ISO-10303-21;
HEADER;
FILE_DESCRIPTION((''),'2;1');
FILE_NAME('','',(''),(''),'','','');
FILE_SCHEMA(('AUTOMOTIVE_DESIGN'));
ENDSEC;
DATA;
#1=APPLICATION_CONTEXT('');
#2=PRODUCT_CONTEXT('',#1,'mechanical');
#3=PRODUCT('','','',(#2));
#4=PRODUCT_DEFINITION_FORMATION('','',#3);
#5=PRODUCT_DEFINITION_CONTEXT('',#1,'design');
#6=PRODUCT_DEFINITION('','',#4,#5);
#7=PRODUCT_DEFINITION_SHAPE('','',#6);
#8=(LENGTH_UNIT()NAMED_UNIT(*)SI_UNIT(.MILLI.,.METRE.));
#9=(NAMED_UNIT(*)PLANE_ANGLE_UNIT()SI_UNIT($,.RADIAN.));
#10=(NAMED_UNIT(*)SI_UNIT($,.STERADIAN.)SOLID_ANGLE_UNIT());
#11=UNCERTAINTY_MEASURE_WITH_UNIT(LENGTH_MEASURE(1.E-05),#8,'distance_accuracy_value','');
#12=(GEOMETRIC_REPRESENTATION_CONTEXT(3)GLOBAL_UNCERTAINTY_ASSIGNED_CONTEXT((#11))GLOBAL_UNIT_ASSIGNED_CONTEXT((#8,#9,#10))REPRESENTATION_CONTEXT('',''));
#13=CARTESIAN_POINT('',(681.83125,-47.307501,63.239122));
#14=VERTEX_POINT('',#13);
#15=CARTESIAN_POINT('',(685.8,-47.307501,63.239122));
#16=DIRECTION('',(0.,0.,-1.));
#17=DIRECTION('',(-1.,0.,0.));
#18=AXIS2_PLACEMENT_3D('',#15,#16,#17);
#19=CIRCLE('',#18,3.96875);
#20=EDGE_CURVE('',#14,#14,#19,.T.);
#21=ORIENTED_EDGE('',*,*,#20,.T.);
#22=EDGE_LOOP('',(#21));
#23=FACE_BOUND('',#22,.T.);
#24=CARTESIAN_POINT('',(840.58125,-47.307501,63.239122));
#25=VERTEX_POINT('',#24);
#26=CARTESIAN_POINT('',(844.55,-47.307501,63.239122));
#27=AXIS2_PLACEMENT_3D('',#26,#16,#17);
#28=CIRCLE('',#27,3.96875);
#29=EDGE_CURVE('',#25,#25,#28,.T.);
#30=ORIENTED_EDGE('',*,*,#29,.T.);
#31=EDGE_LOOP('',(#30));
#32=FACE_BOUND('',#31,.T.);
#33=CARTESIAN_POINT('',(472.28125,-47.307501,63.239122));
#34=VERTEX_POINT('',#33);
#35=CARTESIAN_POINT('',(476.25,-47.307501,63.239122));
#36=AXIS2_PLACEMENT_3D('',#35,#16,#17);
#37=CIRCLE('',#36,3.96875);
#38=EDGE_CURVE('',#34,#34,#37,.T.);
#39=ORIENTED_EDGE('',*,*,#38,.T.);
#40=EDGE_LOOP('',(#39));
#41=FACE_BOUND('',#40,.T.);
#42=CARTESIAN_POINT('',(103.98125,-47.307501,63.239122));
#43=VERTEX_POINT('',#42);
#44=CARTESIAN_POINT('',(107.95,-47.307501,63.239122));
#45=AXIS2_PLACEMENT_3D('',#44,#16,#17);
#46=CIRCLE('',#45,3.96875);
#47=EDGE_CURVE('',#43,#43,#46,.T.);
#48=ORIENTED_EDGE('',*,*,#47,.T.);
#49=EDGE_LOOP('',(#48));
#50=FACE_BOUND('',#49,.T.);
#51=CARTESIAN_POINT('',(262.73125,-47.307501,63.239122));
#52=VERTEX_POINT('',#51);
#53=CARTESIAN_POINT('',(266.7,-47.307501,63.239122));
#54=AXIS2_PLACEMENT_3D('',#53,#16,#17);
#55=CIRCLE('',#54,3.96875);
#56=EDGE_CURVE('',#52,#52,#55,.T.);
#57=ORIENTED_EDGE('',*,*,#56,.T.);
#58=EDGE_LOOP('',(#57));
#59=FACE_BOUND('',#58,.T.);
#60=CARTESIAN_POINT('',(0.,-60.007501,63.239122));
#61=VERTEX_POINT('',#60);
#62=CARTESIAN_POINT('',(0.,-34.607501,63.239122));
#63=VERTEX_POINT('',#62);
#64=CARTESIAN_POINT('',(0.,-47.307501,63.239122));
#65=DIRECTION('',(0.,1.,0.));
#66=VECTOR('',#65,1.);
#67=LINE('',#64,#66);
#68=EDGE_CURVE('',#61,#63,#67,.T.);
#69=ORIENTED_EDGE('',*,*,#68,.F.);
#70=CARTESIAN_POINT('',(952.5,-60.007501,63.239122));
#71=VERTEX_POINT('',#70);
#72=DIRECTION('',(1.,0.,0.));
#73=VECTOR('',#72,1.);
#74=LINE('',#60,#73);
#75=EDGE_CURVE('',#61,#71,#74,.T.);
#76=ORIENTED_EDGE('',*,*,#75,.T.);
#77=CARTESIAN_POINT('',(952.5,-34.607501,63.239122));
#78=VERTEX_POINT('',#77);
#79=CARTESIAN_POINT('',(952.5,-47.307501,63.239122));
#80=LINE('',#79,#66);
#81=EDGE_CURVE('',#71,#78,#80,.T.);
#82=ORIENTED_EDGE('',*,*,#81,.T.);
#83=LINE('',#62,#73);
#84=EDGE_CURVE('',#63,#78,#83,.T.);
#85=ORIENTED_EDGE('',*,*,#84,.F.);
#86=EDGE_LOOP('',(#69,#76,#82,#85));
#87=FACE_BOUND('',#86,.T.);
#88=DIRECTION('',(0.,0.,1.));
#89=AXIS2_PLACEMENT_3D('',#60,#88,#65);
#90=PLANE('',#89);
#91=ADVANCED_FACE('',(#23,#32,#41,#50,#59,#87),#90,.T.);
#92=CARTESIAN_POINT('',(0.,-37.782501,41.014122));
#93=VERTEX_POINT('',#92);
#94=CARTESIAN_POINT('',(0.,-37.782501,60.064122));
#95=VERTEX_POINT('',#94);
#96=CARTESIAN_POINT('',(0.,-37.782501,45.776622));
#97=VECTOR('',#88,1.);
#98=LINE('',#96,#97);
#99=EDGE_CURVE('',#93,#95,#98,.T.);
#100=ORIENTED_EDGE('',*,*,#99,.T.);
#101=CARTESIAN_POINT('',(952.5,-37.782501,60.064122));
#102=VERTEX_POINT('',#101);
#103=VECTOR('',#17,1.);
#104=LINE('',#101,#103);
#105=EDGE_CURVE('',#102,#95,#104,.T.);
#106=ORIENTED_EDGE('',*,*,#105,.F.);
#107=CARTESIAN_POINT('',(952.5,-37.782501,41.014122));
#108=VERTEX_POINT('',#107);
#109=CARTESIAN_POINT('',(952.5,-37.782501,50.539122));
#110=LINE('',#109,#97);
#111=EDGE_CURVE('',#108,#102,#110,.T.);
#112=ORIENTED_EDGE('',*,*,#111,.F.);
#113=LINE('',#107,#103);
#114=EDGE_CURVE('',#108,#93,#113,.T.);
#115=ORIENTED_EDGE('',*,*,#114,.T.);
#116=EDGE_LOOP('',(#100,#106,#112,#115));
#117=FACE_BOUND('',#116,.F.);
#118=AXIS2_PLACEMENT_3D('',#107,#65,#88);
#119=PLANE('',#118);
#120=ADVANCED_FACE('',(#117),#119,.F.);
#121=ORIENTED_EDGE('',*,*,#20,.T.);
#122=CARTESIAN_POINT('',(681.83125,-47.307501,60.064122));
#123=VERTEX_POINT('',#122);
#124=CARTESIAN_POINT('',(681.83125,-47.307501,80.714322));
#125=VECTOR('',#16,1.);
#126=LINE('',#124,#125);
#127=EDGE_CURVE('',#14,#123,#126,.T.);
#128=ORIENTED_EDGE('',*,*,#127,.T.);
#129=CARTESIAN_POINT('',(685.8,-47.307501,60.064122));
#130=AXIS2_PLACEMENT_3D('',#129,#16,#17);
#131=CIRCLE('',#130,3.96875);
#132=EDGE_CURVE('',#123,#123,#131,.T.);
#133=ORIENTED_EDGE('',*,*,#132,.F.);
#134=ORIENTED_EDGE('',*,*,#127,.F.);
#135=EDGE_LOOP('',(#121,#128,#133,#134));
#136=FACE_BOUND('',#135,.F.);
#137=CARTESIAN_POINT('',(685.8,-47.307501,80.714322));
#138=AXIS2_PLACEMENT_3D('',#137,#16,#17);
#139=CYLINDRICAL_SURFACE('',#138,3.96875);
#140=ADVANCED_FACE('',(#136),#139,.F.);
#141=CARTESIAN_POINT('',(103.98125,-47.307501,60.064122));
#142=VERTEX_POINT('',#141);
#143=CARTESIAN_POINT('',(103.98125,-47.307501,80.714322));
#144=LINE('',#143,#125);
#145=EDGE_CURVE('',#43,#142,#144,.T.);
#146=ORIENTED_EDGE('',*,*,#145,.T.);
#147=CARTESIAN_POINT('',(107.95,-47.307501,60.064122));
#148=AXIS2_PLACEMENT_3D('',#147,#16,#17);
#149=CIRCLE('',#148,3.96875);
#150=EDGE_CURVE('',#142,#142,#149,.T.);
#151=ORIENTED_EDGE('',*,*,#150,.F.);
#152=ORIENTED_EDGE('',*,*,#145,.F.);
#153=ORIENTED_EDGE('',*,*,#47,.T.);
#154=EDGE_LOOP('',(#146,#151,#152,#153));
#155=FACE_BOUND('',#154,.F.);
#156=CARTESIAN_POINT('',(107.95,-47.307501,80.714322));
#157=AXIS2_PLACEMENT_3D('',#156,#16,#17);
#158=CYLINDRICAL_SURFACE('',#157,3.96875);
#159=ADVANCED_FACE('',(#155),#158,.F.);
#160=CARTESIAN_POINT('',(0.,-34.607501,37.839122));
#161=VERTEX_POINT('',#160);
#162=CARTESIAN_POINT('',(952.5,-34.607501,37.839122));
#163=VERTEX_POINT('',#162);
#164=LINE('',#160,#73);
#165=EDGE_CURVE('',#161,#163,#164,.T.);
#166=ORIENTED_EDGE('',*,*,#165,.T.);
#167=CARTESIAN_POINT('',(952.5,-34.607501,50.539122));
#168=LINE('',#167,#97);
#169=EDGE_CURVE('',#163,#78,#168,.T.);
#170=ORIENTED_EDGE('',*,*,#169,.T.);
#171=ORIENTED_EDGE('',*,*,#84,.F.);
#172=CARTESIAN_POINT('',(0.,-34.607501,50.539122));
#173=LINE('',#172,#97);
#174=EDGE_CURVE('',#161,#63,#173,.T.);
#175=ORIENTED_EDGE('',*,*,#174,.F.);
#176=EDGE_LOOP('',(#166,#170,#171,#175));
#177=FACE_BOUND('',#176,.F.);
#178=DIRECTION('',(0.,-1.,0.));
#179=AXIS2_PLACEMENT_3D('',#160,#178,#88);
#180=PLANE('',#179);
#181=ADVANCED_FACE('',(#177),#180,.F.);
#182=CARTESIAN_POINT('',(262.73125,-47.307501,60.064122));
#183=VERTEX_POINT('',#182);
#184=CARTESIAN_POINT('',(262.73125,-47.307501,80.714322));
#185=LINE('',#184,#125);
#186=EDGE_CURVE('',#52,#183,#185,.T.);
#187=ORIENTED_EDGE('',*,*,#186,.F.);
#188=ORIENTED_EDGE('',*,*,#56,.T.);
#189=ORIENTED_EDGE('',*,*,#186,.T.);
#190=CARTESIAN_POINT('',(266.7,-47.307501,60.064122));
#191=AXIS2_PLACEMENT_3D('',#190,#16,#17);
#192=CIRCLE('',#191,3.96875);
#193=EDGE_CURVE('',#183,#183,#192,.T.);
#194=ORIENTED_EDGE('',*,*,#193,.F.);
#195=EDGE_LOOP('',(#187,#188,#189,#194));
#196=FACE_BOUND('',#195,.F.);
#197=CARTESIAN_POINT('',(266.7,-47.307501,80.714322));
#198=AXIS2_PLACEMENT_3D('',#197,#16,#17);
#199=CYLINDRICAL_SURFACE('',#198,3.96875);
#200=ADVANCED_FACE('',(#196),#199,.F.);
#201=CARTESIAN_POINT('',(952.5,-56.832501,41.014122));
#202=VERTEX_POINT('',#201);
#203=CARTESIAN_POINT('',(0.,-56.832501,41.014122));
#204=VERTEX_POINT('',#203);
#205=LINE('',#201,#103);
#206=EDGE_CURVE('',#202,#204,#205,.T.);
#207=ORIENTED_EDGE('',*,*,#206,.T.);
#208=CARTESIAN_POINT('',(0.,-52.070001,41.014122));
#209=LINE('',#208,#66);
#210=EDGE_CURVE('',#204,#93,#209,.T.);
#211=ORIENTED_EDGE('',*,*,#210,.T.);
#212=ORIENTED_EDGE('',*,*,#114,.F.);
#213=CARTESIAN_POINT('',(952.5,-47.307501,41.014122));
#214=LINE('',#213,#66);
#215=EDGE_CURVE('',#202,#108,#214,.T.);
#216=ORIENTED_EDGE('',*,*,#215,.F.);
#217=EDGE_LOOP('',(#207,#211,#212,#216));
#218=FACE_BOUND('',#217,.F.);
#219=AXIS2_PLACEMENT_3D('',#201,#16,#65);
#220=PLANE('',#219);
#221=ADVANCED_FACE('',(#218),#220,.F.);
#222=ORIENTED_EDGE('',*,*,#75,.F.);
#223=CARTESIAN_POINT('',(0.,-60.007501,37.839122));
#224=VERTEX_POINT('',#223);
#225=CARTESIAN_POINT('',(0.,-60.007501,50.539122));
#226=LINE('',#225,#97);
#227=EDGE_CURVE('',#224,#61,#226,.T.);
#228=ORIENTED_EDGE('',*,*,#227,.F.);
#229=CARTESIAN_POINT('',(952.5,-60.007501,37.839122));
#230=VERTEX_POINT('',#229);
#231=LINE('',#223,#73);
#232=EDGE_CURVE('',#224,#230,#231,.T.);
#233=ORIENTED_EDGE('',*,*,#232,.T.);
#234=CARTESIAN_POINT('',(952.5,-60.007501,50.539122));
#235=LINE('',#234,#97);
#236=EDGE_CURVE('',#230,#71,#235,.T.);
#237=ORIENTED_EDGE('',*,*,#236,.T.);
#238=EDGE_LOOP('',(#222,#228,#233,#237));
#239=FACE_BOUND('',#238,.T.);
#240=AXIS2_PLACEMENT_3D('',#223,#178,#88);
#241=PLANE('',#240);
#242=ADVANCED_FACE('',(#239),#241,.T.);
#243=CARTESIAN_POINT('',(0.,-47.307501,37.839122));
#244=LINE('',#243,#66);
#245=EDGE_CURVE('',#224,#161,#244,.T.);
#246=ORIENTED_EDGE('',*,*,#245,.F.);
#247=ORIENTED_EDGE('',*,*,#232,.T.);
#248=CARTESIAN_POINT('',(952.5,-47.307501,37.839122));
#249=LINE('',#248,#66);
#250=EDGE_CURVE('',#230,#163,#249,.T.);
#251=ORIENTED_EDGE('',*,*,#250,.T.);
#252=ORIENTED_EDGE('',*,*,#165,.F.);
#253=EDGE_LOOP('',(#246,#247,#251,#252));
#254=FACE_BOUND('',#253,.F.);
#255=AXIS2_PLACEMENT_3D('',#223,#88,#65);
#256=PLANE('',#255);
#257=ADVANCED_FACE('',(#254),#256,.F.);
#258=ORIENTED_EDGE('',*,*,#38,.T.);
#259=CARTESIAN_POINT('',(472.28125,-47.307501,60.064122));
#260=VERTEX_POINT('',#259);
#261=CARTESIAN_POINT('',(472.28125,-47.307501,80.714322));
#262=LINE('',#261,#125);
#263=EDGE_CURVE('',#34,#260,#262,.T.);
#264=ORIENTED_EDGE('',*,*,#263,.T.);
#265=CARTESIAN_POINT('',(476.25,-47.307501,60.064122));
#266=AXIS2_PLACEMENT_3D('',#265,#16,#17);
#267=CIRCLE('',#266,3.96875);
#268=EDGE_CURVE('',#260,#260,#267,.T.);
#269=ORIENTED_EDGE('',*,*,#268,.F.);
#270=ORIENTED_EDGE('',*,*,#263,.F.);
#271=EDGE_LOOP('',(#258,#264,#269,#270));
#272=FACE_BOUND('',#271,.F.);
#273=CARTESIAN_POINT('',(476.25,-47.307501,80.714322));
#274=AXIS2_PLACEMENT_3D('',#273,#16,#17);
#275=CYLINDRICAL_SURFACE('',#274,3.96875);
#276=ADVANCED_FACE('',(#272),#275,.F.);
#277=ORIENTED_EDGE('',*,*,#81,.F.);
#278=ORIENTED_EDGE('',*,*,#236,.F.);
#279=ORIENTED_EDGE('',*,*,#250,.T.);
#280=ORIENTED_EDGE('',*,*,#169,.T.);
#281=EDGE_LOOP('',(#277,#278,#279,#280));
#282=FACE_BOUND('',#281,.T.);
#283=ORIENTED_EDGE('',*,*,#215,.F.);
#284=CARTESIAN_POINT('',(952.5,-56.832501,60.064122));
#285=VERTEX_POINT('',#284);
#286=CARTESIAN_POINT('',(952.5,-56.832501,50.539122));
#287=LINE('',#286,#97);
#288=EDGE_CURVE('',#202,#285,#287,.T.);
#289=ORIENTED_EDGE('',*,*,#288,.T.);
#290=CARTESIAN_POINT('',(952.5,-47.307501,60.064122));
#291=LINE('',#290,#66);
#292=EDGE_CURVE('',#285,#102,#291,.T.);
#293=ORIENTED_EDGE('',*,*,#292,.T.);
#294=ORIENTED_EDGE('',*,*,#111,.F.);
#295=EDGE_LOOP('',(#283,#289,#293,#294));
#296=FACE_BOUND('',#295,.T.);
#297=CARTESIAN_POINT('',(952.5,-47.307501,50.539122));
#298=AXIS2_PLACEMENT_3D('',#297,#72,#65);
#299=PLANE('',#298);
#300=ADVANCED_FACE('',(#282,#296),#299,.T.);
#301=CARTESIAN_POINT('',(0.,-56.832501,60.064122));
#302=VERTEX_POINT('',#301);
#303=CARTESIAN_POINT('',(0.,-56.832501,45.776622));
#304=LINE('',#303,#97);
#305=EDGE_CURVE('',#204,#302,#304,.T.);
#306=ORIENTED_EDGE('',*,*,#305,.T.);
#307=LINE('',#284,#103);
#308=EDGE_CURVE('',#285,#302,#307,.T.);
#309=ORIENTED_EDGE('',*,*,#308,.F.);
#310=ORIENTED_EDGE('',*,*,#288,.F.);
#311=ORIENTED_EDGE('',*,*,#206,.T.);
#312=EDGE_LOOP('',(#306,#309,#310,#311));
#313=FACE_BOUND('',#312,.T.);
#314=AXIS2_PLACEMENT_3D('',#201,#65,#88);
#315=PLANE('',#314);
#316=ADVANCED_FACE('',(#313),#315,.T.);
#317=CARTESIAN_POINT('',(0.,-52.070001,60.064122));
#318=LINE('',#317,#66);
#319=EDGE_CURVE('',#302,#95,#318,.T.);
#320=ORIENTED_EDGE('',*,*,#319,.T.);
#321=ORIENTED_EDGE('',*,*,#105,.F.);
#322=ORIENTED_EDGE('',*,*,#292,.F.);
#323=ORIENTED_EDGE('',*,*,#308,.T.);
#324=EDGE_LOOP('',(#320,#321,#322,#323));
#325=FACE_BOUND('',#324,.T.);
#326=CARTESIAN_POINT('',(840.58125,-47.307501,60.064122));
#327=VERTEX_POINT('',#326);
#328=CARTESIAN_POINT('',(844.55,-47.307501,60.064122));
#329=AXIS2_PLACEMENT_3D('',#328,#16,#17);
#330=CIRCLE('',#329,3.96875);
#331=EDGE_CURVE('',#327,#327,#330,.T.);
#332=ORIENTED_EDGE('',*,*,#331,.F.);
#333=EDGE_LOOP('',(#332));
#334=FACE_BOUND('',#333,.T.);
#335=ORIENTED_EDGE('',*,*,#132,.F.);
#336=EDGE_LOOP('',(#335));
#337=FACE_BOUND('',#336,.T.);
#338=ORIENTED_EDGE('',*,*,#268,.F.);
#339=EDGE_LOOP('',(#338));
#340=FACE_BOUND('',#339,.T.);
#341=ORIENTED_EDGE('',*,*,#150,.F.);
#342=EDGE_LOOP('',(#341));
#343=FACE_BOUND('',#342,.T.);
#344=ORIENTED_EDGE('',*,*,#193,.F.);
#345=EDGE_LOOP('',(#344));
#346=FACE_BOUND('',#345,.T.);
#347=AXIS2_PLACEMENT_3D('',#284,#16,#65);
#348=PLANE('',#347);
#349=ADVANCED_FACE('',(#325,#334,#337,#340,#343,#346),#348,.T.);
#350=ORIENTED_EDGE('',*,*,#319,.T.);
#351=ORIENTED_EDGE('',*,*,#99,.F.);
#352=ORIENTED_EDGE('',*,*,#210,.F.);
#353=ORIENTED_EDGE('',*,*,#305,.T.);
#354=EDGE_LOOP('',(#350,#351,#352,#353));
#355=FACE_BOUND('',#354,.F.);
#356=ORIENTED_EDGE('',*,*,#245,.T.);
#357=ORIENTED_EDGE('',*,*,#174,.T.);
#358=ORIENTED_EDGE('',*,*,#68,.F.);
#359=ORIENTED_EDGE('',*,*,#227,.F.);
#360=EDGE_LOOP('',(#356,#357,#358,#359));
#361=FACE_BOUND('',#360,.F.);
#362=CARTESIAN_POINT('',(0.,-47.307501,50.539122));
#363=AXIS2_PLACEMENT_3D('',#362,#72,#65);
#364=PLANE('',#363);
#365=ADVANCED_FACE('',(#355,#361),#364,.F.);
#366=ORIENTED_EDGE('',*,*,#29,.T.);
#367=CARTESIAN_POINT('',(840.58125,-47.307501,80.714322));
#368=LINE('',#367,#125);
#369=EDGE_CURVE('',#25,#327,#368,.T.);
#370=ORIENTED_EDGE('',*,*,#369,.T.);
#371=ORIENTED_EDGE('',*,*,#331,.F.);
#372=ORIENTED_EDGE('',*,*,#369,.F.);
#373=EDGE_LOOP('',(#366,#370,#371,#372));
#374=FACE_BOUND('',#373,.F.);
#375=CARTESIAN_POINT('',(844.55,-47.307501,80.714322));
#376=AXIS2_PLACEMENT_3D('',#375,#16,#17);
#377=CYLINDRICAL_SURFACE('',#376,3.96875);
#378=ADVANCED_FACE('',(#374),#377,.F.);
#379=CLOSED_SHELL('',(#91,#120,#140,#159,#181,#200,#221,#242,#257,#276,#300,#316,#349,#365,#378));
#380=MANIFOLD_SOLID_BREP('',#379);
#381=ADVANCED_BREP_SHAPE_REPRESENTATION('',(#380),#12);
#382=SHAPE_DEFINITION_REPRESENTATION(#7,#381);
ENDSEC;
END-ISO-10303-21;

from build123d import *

# Parameters (mm, degrees)
F0_W     = 25.4
F0_H     = 25.4
F1_DEPTH = 952.5
F2_W     = 19.05
F2_H     = 19.05
F3_DEPTH = 952.501
F5_D     = 7.9375
F5_DEPTH = 17.4752
F5_TIP   = 2.3846655818


with BuildPart() as f1:
    # F0 (on Right) → F1 (new body)
    with BuildSketch(Plane.YZ):
        with Locations((-47.3075013936, 50.5391221166)):
            Rectangle(F0_W, F0_H)
    extrude(amount=F1_DEPTH)

    # F2 (on face) → F3 (cut, through all)
    with BuildSketch(Plane.YZ.offset(952.5)):
        with Locations((-47.3075013936, 50.5391221166)):
            Rectangle(F2_W, F2_H)
    extrude(amount=-F3_DEPTH, mode=Mode.SUBTRACT)

    # F5
    with Locations(Plane.XY.offset(63.2391221166)):
        with Locations((844.55, -47.3075013936), (685.8, -47.3075013936), (476.25, -47.3075013936), (266.7, -47.3075013936), (107.95, -47.3075013936)):
            Hole(F5_D / 2, depth=F5_DEPTH)
            with Locations((0, 0, -(F5_DEPTH + F5_TIP / 2))):  # 118° drill point
                Cone(0, F5_D / 2, F5_TIP, mode=Mode.SUBTRACT)


solid = f1.part
